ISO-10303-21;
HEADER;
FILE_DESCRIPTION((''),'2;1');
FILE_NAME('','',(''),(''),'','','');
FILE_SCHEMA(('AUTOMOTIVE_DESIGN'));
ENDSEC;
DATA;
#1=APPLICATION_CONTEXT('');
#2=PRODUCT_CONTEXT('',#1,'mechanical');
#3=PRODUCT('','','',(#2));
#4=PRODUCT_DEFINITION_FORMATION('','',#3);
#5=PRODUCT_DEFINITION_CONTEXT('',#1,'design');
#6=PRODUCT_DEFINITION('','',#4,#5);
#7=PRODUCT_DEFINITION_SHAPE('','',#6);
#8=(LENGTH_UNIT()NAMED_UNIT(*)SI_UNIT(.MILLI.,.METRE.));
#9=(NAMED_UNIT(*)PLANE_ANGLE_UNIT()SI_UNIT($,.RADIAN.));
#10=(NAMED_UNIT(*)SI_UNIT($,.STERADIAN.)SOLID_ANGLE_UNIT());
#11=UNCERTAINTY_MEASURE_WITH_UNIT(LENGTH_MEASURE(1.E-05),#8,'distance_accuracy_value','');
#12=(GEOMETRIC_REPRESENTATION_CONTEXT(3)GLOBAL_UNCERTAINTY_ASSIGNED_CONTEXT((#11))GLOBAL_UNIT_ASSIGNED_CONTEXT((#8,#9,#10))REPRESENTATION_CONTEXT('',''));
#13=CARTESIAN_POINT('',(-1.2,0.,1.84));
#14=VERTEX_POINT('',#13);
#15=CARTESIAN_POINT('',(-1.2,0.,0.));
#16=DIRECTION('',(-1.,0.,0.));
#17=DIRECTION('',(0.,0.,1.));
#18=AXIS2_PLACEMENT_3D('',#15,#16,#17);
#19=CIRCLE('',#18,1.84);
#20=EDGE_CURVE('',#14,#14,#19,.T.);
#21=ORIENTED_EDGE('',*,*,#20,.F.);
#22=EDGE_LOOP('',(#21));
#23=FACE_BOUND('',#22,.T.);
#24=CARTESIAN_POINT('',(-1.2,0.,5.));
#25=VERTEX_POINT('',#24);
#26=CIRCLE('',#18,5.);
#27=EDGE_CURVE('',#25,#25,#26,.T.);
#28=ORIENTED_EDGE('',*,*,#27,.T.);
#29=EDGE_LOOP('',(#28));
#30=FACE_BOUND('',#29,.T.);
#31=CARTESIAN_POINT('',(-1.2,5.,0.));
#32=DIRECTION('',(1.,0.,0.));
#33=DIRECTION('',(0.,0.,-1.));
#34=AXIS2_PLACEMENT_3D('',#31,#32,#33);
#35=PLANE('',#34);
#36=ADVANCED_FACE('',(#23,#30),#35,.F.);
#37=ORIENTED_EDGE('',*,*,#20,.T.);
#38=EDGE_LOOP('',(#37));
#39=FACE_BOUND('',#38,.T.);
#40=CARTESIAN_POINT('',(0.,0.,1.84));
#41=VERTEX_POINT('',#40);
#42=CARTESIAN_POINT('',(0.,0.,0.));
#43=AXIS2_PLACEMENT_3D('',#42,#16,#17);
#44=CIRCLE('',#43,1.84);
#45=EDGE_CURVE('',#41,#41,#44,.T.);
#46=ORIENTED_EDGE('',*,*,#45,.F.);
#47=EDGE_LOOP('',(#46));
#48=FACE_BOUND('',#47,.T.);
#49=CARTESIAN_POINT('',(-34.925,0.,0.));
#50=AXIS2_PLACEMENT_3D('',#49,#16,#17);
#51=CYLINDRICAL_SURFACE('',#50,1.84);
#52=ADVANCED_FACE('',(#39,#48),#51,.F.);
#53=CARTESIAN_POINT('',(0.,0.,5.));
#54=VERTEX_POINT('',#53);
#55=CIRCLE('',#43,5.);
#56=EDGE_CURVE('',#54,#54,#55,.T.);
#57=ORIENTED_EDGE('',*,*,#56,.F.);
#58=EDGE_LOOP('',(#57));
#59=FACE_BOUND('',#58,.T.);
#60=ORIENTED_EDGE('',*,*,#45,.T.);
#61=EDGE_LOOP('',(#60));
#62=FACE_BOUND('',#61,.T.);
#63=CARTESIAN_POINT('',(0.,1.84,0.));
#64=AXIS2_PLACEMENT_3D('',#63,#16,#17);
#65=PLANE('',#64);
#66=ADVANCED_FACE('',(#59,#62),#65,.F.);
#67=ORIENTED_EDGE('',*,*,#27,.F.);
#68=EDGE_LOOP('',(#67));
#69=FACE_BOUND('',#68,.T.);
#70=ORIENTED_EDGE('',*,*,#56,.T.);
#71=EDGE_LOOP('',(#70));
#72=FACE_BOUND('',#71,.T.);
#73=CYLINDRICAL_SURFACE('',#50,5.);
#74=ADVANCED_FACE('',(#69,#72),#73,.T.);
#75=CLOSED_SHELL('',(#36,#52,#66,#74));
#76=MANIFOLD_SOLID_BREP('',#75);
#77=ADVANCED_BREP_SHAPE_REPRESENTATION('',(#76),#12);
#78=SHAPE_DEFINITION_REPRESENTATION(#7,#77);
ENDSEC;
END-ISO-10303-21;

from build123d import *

# Parameters (mm, degrees)
SKETCH1_W = 1.2
SKETCH1_H = 3.16


with BuildPart() as part:
    # Sketch1 → Base-Revolve (revolve)
    with BuildSketch(Plane.XY):
        with Locations((-0.6, 3.42)):
            Rectangle(SKETCH1_W, SKETCH1_H)
    revolve(axis=Axis((-34.925, 0, 0), (1, 0, 0)))


solid = part.part
